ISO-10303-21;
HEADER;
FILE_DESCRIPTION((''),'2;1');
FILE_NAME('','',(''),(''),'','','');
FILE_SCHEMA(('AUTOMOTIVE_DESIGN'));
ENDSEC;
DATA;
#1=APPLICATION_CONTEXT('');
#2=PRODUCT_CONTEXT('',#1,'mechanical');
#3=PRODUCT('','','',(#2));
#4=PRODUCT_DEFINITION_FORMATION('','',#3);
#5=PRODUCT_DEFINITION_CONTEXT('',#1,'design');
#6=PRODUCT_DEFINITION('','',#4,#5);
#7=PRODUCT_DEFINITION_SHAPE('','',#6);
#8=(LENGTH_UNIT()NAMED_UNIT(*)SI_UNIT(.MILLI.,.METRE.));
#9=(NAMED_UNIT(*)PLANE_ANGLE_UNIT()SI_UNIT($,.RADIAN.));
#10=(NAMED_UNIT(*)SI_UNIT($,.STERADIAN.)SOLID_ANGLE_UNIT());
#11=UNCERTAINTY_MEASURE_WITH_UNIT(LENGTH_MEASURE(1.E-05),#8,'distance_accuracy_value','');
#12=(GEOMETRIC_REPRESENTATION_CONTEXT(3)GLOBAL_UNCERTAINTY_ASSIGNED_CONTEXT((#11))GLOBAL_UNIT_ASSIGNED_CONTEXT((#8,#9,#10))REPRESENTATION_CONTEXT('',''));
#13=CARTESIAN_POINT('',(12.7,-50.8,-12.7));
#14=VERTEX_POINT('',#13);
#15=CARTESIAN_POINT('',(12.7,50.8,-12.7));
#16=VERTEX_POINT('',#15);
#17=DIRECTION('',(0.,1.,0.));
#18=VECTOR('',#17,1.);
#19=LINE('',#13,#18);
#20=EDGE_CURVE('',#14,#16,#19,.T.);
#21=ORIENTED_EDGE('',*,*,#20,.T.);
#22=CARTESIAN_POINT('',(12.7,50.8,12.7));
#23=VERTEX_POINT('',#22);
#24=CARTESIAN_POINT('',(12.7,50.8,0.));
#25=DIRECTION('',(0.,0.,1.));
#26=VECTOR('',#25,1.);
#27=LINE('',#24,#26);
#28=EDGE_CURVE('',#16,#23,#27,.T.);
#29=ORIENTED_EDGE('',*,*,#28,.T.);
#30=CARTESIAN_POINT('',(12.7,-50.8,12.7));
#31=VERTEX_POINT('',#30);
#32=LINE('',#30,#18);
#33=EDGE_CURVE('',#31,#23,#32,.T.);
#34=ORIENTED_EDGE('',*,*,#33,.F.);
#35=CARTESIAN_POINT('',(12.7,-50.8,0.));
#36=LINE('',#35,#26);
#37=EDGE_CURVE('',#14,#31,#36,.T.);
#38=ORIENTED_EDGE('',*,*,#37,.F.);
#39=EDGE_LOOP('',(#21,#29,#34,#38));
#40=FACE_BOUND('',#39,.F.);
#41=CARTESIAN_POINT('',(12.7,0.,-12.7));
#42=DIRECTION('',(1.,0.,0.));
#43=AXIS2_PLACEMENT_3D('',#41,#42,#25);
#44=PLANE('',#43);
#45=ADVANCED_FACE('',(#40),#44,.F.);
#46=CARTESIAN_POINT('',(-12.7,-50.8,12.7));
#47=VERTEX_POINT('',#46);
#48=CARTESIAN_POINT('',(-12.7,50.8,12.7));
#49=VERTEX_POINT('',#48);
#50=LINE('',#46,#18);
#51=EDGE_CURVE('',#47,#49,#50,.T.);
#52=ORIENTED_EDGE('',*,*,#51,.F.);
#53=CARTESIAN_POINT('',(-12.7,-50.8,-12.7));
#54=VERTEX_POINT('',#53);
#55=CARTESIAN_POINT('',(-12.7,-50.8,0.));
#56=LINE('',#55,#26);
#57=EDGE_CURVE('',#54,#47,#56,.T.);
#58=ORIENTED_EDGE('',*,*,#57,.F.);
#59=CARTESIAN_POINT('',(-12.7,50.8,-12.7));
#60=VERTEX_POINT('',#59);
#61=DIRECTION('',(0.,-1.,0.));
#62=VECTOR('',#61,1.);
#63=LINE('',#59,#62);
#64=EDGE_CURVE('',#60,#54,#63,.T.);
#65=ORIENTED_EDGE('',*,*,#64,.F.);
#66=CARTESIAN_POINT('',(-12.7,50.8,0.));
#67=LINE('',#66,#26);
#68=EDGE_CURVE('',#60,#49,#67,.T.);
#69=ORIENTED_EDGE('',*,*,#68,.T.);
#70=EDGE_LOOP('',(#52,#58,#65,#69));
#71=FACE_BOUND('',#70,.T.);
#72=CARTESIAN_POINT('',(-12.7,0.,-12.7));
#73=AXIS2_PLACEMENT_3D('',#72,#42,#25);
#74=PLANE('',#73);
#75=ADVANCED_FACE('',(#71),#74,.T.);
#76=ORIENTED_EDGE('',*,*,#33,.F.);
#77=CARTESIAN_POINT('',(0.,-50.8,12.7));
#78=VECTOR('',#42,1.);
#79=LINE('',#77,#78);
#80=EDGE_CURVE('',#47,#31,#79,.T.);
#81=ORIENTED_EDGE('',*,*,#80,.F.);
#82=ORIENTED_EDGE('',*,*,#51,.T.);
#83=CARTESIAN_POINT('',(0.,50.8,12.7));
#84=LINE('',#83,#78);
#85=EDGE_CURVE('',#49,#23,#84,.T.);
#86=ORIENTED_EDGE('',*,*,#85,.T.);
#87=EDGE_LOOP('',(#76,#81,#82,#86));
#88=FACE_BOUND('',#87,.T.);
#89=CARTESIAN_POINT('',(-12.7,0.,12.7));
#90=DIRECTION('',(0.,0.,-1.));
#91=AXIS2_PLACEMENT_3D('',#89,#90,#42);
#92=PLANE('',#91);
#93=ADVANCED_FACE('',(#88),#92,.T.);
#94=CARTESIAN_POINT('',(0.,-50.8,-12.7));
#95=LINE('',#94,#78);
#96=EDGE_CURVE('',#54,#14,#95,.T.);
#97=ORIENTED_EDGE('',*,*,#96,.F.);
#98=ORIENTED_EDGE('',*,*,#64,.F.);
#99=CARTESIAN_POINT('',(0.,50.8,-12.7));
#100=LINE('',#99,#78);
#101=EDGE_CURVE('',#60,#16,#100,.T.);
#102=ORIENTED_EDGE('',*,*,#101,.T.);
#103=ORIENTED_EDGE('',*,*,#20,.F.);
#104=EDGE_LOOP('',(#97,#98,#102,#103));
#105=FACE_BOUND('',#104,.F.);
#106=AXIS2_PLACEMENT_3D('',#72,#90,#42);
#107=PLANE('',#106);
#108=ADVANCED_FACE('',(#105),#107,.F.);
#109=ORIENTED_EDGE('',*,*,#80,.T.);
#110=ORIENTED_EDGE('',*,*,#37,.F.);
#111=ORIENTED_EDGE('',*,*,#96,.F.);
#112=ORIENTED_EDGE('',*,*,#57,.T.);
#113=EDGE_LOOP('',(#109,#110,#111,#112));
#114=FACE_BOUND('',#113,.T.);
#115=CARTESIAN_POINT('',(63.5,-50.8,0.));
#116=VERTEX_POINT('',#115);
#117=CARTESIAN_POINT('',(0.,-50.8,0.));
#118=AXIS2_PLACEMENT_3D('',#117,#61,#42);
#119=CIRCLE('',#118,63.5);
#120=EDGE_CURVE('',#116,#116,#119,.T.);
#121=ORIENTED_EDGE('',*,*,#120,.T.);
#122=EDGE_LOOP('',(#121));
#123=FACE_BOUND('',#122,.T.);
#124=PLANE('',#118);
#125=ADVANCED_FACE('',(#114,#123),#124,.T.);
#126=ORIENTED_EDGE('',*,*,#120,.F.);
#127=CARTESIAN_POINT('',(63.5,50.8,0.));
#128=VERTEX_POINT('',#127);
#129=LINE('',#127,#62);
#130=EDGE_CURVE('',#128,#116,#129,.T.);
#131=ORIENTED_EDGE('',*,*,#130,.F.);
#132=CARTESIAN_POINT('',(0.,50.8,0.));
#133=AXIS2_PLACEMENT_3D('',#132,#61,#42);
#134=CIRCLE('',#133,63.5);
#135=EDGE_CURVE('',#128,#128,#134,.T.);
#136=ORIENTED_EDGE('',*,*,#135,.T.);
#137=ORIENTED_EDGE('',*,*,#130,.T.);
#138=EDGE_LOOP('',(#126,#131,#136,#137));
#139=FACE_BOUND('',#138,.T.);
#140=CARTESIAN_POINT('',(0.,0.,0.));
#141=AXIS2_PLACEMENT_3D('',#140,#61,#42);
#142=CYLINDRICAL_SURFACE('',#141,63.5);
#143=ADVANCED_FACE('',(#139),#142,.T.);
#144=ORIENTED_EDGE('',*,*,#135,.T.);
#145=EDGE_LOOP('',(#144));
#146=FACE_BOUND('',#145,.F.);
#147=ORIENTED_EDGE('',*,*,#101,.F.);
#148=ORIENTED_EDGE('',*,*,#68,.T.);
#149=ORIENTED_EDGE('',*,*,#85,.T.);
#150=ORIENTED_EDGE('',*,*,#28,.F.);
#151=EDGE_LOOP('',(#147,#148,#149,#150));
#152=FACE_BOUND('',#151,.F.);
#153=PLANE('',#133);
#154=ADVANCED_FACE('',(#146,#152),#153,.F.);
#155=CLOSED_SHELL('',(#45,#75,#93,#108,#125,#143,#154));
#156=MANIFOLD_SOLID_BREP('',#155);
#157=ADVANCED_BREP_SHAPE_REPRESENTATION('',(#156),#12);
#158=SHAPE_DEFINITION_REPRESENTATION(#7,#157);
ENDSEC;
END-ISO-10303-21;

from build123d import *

# Parameters (mm, degrees)
F0_R     = 63.5
F0_W     = 25.4
F0_H     = 25.4
F1_DEPTH = 50.8
F2_DEPTH = 50.8


with BuildPart() as f1:
    # F0 (on Front) → F1 (new body)
    with BuildSketch(Plane.XZ):
        Circle(F0_R)
        Rectangle(F0_W, F0_H, mode=Mode.SUBTRACT)
    extrude(amount=F1_DEPTH)

    # F0 (on Front) → F2 (join)
    with BuildSketch(Plane.XZ):
        Circle(F0_R)
        Rectangle(F0_W, F0_H, mode=Mode.SUBTRACT)
    extrude(amount=-F2_DEPTH)


solid = f1.part
